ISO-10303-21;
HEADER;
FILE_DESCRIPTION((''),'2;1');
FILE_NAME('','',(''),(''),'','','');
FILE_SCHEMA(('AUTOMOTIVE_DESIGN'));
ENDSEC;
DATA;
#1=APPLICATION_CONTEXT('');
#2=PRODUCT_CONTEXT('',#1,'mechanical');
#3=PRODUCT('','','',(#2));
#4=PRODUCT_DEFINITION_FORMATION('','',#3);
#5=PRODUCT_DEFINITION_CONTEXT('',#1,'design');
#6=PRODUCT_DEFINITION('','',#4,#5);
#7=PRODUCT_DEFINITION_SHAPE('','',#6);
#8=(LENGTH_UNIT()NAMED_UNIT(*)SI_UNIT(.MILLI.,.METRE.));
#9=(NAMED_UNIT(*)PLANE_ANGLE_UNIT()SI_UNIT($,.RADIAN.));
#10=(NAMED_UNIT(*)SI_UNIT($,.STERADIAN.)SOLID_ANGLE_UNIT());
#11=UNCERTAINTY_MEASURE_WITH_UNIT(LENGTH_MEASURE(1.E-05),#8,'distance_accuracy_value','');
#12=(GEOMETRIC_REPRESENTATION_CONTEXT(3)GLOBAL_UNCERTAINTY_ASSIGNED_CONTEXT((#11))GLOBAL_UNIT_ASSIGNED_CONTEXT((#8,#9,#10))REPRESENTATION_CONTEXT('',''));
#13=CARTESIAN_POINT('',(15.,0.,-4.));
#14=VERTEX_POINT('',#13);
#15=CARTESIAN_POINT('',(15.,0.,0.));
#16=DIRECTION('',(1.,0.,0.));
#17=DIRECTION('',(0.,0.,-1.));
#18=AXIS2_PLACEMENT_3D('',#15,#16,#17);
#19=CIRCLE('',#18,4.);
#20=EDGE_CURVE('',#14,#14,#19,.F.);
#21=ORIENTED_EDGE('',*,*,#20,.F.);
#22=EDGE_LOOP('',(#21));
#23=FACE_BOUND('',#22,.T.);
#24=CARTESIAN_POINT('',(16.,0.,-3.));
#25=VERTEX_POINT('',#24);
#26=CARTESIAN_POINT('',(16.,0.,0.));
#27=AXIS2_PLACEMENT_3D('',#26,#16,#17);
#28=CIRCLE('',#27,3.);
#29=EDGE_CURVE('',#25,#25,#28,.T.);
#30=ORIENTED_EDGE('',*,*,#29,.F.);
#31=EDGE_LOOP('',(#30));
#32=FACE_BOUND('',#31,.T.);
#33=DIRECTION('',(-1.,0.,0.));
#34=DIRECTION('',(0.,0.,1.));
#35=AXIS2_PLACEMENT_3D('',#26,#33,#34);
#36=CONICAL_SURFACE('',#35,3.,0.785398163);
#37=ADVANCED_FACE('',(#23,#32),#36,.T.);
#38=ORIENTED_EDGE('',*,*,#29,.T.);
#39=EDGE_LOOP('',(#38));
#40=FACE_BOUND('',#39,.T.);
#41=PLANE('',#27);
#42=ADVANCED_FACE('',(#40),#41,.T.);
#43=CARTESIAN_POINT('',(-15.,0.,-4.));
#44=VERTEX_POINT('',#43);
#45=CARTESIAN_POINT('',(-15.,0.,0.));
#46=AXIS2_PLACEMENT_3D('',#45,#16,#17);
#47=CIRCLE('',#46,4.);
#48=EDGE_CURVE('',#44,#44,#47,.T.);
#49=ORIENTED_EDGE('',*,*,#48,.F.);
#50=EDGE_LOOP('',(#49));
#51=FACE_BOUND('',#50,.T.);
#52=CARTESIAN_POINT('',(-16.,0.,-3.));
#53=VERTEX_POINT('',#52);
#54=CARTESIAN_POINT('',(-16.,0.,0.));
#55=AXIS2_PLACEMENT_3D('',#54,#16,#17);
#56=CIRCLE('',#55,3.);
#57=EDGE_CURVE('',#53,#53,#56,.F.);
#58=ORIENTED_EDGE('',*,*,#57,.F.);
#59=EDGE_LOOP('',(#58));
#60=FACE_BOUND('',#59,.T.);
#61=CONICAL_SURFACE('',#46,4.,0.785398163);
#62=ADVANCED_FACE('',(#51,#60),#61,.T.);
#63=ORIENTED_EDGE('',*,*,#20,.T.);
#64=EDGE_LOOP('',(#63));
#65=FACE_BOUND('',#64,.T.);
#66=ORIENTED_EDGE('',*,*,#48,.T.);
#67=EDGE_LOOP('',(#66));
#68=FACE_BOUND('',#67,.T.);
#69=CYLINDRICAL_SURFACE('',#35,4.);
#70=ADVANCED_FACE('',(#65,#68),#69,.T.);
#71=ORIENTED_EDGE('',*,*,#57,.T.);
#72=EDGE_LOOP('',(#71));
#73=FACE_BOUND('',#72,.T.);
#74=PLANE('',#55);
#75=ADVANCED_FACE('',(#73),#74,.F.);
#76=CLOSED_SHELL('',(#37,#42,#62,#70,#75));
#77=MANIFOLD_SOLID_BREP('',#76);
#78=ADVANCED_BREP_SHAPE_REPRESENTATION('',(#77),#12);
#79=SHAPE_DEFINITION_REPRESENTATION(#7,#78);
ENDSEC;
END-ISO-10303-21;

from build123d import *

# Parameters (mm, degrees)
SKETCH_1_R      = 4
EXTRUDE_1_DEPTH = 16
CHAMFER_1_SIZE  = 1


with BuildPart() as part:
    # 草图1 → 凸台-拉伸1 (new, symmetric)
    with BuildSketch(Plane(origin=(0, 0, 0), x_dir=(0, 0, -1), z_dir=(1, 0, 0))):
        Circle(SKETCH_1_R)
    extrude(amount=EXTRUDE_1_DEPTH, both=True)

    # 倒角1
    chamfer_1_edges = [part.edges().sort_by_distance(p)[0] for p in [
        (-16, 0, 4),
        (16, 0, 4),
    ]]
    chamfer(chamfer_1_edges, length=CHAMFER_1_SIZE)


solid = part.part
